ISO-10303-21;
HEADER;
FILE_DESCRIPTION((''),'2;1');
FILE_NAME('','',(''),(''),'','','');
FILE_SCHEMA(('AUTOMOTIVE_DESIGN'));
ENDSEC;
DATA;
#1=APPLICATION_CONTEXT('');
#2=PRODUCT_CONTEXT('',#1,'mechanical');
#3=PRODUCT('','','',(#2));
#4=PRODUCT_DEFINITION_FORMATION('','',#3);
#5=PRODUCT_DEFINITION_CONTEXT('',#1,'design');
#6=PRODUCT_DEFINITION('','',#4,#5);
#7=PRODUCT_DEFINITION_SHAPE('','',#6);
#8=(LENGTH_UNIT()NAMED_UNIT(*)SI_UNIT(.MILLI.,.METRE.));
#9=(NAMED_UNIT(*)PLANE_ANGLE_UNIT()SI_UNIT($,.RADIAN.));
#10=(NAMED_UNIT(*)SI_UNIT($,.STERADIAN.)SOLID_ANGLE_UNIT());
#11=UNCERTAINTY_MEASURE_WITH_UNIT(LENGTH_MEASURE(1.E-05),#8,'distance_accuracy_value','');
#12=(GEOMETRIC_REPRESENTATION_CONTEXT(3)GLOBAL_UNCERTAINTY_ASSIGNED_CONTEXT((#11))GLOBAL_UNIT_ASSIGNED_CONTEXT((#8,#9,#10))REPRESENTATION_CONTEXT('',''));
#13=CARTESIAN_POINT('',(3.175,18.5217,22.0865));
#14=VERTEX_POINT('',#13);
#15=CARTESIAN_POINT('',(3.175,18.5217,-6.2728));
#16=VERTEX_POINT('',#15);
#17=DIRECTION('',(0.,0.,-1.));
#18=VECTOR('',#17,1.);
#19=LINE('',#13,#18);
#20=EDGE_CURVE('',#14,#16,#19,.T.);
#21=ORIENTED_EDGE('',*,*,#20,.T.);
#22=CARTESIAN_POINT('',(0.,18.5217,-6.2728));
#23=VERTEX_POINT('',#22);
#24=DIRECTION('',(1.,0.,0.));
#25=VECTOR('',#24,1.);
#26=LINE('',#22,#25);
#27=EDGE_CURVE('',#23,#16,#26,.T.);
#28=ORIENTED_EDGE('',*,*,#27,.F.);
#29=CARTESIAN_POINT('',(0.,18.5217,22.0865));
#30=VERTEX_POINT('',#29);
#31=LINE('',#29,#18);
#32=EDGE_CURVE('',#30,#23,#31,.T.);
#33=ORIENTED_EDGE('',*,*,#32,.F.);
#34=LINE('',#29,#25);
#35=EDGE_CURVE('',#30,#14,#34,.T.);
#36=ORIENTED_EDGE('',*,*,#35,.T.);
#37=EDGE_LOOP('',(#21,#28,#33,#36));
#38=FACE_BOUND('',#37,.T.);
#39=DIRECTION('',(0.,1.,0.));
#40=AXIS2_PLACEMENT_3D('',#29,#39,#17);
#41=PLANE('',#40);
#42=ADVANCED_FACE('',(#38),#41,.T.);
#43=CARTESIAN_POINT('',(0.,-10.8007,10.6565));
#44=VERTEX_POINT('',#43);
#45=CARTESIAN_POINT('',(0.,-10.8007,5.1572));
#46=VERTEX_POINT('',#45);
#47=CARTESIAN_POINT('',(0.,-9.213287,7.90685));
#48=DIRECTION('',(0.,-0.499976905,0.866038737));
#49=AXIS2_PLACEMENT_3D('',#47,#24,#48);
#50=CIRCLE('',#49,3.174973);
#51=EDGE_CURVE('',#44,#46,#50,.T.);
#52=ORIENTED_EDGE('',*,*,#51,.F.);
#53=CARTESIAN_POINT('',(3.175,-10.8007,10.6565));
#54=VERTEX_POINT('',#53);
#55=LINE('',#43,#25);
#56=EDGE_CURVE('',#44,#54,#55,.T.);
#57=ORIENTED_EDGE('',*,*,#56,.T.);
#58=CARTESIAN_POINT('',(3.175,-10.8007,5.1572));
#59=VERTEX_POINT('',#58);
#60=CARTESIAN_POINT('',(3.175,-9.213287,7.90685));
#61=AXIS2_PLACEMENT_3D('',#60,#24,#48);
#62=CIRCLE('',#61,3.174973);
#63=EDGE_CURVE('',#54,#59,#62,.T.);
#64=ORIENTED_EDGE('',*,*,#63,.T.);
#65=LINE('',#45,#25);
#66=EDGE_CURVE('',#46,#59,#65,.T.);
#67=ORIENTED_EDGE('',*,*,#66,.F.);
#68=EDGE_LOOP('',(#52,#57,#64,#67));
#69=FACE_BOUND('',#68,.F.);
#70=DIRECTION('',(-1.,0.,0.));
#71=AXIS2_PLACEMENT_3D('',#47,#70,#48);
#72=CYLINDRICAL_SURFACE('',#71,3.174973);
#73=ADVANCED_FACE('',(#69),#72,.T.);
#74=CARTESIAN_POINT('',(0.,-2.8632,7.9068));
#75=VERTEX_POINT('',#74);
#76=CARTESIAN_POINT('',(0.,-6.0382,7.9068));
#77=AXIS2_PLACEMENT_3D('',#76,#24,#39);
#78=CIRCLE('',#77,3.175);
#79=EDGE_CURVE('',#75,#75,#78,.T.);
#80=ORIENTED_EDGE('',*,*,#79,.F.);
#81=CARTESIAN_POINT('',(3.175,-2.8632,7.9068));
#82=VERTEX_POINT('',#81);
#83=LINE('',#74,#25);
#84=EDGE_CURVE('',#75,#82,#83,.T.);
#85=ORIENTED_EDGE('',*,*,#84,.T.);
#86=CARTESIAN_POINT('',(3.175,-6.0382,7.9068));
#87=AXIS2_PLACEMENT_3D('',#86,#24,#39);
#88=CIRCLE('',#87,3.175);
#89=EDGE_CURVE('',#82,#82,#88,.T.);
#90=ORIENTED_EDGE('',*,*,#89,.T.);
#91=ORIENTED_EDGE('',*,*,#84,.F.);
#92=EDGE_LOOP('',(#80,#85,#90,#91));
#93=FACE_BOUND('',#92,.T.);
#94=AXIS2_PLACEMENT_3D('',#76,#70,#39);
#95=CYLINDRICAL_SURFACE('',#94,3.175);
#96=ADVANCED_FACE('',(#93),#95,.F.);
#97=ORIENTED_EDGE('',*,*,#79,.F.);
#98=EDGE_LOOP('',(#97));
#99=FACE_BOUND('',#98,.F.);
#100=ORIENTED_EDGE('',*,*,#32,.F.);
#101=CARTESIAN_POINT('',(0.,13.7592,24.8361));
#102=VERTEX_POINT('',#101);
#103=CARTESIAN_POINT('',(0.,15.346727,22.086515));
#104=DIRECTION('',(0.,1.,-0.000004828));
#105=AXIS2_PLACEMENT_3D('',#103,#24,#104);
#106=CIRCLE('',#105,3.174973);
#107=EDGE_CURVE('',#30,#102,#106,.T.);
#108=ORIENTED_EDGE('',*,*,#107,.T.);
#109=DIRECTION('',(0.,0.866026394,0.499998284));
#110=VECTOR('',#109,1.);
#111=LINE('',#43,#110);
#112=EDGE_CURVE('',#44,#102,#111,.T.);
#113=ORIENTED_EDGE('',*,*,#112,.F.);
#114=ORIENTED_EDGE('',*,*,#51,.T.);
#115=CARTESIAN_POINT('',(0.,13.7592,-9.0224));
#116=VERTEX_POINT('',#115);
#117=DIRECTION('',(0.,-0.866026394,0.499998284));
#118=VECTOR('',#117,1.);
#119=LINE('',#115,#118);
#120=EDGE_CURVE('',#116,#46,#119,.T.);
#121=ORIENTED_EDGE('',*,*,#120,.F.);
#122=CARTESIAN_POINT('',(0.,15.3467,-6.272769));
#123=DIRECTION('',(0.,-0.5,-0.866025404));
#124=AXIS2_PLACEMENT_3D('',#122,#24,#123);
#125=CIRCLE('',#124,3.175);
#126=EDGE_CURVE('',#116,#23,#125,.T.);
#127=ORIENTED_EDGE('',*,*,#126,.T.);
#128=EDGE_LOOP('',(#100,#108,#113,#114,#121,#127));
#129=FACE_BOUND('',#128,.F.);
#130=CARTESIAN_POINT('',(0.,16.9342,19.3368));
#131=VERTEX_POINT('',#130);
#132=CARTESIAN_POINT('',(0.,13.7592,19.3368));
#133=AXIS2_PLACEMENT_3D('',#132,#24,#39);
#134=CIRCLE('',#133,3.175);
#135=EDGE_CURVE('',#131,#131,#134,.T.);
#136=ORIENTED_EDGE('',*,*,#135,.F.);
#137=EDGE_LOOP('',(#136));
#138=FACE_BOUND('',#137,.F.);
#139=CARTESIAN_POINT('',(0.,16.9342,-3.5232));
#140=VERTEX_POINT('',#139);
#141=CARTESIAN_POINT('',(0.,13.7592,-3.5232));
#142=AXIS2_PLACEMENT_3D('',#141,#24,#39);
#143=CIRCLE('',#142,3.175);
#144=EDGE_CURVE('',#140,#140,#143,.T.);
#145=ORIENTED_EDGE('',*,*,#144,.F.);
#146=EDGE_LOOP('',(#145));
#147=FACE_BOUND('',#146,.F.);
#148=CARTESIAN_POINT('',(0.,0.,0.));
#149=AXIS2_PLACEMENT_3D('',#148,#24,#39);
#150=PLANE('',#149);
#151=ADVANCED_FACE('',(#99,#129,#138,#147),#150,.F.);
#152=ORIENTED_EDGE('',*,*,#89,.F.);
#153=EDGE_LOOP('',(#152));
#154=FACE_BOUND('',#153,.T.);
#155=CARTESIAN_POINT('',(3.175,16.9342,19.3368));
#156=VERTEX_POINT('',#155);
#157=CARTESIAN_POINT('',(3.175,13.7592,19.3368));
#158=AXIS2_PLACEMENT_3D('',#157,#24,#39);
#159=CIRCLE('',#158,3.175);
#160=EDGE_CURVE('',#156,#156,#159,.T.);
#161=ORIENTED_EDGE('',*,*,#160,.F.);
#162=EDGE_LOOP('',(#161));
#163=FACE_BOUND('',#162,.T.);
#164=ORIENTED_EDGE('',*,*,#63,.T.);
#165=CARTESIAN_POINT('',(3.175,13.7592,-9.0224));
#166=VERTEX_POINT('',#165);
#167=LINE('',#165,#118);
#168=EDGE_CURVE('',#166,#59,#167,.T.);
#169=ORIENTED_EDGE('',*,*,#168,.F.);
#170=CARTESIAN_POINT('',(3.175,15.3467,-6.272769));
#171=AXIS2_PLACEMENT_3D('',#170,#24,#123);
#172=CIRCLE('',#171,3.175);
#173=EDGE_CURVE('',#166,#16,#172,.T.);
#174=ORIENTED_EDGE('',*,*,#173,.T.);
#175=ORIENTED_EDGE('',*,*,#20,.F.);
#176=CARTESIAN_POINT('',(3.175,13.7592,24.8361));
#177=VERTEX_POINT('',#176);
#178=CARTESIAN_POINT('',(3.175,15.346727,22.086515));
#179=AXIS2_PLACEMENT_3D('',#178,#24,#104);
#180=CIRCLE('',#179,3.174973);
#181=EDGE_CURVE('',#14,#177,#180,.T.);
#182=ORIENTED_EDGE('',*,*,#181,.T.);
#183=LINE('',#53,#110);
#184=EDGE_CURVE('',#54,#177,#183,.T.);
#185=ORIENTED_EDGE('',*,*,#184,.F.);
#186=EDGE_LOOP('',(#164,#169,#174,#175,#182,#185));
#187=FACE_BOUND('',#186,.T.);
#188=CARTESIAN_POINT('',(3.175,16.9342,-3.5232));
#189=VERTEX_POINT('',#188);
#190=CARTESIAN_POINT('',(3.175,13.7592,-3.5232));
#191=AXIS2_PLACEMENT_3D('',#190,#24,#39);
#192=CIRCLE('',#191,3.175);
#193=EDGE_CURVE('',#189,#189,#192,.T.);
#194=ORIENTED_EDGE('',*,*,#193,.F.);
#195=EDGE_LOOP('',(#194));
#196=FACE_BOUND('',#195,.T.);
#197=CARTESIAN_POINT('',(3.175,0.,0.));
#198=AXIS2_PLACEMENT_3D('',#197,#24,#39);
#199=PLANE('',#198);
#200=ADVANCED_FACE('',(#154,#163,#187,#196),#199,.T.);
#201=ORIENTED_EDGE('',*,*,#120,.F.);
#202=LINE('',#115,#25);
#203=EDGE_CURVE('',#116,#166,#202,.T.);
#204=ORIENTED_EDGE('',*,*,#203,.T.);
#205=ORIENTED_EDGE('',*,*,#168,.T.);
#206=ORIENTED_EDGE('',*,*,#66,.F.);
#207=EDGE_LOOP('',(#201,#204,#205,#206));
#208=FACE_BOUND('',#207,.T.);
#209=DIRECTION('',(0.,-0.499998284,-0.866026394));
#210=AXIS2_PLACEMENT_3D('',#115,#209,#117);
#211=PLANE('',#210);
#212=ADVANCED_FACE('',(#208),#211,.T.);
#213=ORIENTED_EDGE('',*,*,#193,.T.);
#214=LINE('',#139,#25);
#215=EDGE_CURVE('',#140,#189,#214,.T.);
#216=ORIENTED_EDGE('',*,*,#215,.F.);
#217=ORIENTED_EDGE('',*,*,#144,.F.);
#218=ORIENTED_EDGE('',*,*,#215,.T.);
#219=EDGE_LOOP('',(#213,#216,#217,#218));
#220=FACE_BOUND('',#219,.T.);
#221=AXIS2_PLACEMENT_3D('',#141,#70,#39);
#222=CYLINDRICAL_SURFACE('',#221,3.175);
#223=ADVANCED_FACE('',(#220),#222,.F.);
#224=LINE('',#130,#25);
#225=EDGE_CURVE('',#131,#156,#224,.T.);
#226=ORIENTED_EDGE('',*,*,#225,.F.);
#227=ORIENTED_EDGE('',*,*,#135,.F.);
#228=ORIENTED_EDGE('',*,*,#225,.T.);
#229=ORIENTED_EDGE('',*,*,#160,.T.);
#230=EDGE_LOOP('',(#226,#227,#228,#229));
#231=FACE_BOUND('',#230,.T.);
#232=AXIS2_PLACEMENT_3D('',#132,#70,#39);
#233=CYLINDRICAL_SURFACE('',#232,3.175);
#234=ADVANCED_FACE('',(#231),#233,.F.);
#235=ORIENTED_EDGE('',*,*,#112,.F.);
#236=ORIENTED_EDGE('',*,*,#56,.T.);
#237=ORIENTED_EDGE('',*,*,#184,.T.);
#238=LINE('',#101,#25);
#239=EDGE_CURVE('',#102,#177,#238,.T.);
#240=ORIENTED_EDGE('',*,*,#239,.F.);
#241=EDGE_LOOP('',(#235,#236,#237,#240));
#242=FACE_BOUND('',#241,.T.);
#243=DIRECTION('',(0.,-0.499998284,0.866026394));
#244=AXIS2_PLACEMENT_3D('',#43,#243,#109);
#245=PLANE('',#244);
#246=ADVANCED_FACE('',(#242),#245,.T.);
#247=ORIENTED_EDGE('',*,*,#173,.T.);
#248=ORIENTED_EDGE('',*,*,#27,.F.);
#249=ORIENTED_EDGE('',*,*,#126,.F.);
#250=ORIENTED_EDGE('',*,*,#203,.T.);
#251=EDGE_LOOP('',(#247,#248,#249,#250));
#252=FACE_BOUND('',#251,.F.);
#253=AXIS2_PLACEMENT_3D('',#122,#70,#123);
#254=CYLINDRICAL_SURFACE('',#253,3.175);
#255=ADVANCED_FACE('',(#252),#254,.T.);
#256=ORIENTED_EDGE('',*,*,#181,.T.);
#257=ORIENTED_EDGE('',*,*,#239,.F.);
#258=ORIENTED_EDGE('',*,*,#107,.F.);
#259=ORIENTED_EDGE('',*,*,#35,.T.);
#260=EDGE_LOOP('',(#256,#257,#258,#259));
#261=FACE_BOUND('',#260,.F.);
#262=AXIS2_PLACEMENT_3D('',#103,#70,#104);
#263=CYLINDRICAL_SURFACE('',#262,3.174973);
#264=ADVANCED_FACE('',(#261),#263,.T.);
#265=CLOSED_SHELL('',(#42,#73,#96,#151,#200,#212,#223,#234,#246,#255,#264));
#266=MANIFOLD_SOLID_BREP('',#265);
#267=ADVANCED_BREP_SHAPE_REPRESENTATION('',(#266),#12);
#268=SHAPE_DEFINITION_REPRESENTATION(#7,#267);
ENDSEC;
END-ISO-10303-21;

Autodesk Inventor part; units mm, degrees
ref_plane "YZ Plane" through (0, 0, 0) normal (1, 0, 0) x (0, 1, 0)
ref_plane "XZ Plane" through (0, 0, 0) normal (0, 1, 0) x (-1, 0, 0)
ref_plane "XY Plane" through (0, 0, 0) normal (0, 0, 1) x (1, 0, 0)
sketch "Sketch1" plane through (0, 0, 0) normal (1, 0, 0) x (0, 1, 0)
  line L0 (13.7592, -3.5232) -> (-6.0382, 7.9068) construction
  line L1 (-6.0382, 7.9068) -> (13.7592, 19.3368) construction
  line L2 (13.7592, 19.3368) -> (13.7592, -3.5232) construction
  circle A0 centre (13.7592, 19.3368) radius 3.175
  circle A1 centre (13.7592, -3.5232) radius 3.175
  circle A2 centre (-6.0382, 7.9068) radius 3.175
  line L3 (-6.0382, 7.9068) -> (-15.5632, 7.9068) construction
  line L4 (-10.8007, 10.6565) -> (13.7592, 24.8361)
  line L5 (18.5217, 22.0865) -> (18.5217, -6.2728)
  line L6 (13.7592, -9.0224) -> (-10.8007, 5.1572)
  arc A3 (18.5217, 22.0865) -> (13.7592, 24.8361) centre (15.3467, 22.0865) ccw
  arc A4 (-10.8007, 10.6565) -> (-10.8007, 5.1572) centre (-9.2132, 7.9068) ccw
  arc A5 (13.7592, -9.0224) -> (18.5217, -6.2728) centre (15.3467, -6.2728) ccw
  point P0 (7.1601, 7.9068)
  point P1 (7.1601, 7.9068)
  point P2 (18.5217, 27.5857)
  point P3 (18.5217, -11.7721)
  dimension "d7" = 22.86
  dimension "d8" = 6.35
  dimension "d9" = 6.35
  dimension "d10" = 6.35
  dimension "d11" = 9.525
  dimension "d12" = 3.175
extrude "Extrusion1" add sketch "Sketch1" along normal blind 3.175
properties part number "arm4_3"
